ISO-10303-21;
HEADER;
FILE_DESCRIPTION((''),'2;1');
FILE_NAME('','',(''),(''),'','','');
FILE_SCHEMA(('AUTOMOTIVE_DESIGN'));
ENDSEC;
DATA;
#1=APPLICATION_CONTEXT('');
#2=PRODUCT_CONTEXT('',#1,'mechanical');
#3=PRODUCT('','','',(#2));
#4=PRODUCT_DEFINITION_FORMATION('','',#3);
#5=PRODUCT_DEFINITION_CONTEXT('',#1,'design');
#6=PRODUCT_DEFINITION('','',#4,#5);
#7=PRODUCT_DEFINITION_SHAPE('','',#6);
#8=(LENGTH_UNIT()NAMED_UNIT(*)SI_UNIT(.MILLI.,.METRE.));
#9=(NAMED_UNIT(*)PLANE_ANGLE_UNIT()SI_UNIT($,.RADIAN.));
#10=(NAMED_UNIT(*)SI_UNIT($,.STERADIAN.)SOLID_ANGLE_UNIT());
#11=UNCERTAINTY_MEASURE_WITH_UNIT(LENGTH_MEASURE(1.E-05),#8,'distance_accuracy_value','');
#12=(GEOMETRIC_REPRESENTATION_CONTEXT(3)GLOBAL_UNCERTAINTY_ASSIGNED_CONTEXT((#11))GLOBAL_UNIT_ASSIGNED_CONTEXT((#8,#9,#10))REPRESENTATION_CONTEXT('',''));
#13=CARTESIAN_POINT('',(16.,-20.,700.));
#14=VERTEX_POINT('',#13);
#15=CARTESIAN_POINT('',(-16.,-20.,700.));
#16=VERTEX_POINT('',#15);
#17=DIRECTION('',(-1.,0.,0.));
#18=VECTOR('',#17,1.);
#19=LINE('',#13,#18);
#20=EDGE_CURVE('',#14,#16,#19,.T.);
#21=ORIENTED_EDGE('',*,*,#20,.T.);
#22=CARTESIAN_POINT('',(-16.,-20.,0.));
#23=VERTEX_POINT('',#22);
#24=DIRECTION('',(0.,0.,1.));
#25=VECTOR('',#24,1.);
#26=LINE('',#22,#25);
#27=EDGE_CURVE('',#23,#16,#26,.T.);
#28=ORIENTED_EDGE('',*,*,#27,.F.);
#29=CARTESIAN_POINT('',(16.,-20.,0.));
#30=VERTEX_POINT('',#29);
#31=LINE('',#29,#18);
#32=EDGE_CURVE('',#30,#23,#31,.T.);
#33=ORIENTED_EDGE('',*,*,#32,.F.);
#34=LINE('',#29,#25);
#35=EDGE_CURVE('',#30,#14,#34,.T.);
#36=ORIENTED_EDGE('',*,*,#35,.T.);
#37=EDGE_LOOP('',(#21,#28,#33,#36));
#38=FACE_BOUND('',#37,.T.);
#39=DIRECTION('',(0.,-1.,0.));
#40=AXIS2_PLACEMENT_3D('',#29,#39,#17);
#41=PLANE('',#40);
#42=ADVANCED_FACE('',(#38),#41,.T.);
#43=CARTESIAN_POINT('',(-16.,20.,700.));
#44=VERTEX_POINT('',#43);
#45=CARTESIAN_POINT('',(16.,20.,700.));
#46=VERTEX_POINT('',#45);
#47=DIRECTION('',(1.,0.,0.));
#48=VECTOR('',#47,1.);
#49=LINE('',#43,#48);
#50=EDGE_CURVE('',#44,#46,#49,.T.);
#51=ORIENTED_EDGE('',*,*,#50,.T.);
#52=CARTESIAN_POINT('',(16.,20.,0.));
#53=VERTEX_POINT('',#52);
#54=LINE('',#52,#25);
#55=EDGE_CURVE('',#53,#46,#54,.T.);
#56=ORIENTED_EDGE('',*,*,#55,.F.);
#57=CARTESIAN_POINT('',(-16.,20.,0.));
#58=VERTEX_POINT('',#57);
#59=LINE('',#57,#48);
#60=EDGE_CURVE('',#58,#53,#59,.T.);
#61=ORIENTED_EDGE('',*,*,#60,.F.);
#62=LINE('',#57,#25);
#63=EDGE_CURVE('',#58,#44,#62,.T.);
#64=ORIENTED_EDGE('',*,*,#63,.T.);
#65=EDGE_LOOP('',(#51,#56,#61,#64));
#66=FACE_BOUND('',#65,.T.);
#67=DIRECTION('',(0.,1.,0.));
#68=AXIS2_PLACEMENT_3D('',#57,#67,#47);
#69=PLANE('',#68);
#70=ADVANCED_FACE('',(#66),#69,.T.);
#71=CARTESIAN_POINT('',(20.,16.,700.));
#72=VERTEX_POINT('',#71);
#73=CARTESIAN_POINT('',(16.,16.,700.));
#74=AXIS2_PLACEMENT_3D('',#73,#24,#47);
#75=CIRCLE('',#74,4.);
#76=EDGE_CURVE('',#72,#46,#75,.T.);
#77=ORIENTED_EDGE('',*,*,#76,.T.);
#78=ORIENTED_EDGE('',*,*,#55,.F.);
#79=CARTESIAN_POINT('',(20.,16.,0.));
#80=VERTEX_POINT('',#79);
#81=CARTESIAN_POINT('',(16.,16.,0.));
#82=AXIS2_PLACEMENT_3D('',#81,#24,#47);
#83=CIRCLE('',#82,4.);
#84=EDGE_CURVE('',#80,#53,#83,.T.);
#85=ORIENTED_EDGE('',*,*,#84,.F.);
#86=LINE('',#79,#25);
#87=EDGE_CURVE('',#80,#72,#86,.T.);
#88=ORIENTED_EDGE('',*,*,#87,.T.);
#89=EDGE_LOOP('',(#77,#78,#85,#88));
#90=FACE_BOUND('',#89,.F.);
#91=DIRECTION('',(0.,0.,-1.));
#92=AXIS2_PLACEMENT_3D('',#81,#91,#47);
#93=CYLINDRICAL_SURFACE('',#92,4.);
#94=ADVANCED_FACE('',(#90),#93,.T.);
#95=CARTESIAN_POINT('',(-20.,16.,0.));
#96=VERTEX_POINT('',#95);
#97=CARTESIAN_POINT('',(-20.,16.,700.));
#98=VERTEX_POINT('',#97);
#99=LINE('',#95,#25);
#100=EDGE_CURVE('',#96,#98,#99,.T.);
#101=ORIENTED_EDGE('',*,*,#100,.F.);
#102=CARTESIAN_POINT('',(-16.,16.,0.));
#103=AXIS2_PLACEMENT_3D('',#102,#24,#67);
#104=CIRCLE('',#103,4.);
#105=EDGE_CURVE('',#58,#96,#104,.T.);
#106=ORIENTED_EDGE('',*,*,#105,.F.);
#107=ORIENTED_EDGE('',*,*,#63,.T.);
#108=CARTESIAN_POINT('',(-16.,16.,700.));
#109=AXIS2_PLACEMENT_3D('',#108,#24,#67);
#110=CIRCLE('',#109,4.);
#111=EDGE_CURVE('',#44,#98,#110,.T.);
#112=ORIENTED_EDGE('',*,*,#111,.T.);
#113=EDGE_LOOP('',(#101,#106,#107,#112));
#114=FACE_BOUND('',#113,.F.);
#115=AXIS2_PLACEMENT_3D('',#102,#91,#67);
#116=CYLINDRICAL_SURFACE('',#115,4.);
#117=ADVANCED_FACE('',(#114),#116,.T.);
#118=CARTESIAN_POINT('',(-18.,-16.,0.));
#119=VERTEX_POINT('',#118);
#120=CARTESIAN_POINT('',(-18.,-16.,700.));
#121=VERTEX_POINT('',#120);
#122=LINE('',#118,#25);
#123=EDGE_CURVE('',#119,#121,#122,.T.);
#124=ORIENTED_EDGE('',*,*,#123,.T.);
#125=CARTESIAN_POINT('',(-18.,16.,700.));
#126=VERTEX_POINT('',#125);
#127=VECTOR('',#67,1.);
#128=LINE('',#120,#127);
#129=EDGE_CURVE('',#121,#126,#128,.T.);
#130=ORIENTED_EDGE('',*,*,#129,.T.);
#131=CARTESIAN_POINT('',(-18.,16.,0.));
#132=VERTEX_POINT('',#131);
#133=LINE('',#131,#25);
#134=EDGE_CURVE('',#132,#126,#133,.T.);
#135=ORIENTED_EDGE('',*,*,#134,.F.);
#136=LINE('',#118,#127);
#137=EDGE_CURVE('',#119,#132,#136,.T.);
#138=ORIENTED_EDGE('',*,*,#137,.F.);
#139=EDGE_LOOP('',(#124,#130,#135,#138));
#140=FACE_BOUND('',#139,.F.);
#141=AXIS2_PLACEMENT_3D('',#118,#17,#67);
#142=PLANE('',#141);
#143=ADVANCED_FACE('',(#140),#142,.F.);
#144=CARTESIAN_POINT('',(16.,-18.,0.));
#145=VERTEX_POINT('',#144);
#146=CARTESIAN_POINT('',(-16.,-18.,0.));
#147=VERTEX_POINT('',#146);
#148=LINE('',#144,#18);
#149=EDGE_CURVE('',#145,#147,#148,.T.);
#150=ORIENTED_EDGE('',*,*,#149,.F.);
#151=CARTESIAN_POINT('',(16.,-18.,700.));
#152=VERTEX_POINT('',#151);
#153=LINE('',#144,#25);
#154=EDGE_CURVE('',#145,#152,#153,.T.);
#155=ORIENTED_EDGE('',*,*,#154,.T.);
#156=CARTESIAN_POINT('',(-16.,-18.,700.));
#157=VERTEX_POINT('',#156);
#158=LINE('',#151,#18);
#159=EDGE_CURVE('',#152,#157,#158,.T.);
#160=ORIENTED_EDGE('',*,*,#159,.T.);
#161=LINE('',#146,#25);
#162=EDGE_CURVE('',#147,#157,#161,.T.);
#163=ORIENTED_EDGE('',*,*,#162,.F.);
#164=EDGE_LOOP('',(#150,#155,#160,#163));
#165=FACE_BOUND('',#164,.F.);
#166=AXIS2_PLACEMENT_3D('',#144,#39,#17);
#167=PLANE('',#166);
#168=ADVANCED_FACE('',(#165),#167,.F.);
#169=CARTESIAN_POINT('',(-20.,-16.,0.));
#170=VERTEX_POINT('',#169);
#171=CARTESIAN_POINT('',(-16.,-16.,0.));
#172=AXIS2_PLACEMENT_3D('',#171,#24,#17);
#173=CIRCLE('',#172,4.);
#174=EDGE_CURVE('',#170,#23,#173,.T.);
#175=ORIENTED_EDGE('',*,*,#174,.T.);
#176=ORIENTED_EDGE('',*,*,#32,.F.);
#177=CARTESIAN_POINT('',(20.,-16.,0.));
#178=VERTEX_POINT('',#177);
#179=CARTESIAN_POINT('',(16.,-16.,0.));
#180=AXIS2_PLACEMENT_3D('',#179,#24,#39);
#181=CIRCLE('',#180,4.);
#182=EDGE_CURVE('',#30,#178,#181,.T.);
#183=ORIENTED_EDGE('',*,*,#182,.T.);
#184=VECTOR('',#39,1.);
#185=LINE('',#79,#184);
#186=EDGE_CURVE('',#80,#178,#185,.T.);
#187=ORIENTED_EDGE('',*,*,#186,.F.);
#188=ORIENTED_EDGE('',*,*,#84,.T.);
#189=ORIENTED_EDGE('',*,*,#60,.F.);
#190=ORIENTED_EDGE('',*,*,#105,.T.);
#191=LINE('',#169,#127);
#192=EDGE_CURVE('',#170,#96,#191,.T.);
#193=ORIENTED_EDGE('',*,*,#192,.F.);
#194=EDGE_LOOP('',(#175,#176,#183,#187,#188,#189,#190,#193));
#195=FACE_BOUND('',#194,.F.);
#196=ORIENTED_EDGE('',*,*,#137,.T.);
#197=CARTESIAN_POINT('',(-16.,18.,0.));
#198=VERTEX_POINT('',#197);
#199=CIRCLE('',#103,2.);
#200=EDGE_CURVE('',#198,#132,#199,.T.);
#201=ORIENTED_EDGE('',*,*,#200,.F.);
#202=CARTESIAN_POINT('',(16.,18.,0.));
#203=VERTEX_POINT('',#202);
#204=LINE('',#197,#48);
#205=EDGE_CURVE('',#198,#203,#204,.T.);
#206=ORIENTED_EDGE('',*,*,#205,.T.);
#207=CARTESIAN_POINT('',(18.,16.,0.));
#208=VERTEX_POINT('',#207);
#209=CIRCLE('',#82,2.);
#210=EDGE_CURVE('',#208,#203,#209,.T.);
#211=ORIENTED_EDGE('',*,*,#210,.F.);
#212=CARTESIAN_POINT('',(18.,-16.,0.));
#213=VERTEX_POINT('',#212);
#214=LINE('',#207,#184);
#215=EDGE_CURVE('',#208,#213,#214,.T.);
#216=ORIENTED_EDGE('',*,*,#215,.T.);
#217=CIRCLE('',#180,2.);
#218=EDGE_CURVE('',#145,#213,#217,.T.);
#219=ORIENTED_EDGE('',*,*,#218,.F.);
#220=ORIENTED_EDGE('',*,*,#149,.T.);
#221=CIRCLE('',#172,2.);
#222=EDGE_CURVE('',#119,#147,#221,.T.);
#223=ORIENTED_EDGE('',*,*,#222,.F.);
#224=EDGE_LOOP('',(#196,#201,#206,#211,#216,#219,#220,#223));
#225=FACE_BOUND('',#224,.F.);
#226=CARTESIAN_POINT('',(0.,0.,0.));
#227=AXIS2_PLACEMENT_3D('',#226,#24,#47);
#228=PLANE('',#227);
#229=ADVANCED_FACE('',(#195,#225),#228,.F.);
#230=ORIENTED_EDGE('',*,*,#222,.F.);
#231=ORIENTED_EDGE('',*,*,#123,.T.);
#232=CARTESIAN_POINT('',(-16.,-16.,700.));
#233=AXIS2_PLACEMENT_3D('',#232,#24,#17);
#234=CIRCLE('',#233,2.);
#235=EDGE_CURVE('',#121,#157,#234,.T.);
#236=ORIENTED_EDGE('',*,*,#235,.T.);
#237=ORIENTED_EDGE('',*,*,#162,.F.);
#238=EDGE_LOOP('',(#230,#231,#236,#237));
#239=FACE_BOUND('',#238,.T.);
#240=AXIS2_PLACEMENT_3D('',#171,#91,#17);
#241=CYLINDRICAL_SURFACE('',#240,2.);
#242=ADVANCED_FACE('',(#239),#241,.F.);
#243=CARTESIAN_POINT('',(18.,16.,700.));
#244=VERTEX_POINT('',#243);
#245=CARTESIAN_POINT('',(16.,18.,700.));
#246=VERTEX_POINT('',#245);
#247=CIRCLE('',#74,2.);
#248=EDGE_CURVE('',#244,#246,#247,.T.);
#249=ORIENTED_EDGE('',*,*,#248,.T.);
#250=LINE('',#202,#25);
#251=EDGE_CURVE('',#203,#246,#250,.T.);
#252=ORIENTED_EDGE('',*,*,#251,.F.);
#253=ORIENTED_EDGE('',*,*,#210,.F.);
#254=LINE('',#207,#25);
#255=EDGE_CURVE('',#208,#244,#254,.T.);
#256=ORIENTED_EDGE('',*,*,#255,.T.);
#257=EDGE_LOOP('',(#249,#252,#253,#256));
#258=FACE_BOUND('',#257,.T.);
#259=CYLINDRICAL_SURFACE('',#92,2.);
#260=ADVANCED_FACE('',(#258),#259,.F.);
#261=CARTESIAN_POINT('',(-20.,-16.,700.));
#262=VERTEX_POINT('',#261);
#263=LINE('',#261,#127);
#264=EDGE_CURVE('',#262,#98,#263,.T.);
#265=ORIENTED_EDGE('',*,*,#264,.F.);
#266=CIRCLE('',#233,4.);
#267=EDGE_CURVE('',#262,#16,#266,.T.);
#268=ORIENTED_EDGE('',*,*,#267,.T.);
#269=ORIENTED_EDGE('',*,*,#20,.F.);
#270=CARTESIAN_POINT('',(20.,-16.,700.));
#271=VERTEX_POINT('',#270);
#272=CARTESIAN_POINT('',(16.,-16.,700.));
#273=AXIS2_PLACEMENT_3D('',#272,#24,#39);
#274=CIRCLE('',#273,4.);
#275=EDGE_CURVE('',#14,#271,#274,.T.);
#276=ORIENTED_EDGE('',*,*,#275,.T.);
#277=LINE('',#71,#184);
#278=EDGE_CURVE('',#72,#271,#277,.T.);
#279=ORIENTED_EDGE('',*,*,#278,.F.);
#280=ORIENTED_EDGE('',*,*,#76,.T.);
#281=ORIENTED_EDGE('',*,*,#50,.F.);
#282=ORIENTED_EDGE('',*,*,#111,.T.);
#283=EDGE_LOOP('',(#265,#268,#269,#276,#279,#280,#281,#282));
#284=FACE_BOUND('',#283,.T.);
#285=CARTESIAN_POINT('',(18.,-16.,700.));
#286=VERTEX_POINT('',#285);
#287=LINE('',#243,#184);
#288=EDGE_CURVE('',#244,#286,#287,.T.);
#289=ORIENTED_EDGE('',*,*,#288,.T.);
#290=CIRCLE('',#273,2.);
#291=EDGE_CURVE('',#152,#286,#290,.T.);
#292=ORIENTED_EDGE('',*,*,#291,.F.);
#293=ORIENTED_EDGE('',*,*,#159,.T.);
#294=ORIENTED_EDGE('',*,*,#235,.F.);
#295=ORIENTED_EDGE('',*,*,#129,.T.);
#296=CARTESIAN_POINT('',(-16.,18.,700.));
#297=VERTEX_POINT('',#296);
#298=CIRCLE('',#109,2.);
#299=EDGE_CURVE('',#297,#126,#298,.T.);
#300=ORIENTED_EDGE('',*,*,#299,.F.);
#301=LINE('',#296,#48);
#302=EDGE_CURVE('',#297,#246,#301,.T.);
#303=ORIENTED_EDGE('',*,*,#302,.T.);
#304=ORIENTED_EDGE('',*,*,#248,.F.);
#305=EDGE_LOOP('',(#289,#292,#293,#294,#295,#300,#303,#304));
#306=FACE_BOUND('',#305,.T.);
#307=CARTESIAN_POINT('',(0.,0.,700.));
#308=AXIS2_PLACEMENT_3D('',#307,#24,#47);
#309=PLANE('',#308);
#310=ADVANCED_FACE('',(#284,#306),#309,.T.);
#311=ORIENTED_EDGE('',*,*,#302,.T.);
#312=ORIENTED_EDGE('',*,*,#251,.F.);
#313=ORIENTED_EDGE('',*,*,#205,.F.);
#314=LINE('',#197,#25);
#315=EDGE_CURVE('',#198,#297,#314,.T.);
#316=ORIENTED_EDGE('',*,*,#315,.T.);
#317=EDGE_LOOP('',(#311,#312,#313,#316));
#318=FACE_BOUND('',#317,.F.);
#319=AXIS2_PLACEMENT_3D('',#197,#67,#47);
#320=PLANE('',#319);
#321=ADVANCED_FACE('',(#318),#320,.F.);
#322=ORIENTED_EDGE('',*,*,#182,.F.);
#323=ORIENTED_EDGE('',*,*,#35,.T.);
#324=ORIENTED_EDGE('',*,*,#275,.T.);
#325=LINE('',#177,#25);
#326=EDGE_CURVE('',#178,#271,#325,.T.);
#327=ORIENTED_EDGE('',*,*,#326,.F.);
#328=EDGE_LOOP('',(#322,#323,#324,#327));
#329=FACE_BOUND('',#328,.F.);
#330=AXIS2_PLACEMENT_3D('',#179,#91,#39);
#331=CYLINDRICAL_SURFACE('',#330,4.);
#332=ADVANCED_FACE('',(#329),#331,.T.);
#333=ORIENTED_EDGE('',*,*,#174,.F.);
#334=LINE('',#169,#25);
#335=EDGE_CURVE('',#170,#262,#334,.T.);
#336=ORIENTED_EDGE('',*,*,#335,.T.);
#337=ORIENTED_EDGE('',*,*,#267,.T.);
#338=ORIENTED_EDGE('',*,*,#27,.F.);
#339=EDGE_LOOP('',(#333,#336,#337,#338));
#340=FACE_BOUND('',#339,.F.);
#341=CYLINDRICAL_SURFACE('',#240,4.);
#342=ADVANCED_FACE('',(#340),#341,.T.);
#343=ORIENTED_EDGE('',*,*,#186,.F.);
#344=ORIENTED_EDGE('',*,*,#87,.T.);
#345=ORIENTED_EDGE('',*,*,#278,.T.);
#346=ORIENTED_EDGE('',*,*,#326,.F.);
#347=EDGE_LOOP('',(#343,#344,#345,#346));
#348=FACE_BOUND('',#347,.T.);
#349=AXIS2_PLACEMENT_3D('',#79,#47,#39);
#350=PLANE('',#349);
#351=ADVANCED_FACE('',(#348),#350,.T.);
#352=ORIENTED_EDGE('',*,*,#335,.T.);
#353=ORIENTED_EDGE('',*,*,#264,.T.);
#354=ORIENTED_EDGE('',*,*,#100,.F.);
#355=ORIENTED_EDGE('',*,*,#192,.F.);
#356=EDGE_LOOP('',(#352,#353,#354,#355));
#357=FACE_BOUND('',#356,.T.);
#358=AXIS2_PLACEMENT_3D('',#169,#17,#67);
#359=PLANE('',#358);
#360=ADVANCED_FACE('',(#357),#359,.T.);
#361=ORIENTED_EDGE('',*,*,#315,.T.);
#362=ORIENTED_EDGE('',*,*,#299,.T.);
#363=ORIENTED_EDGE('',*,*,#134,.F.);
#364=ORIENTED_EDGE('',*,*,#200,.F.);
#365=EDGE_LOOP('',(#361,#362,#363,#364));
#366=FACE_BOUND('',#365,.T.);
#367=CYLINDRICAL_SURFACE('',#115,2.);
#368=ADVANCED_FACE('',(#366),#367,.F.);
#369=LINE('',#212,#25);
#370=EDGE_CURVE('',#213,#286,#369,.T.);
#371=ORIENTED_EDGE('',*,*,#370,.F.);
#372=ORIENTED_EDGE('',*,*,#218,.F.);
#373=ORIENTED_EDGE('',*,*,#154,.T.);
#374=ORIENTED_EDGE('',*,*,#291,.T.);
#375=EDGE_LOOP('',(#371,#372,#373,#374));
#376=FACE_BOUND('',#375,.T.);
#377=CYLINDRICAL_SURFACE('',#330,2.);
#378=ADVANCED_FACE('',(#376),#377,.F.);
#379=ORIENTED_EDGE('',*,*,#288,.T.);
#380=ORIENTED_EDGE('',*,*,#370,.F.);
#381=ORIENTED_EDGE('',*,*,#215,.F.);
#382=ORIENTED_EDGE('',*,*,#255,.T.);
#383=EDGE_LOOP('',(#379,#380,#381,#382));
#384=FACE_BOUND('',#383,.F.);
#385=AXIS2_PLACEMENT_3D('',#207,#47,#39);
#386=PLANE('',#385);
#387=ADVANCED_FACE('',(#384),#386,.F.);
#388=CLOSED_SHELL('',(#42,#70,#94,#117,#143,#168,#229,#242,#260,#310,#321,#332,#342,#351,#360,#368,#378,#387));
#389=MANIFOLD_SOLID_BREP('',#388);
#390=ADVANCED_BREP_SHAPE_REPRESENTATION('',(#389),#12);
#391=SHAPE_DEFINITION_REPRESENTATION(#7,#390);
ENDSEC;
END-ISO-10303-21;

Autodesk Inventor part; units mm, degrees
ref_plane "YZ Plane" through (0, 0, 0) normal (1, 0, 0) x (0, 1, 0)
ref_plane "Start Plane" through (0, 0, 0) normal (0, 0, 1) x (1, 0, 0)
ref_plane "End Plane" through (0, 0, 700) normal (0, 0, 1) x (1, 0, 0)
sketch "Sketch" plane through (0, 0, 0) normal (0, 0, 1) x (1, 0, 0)
  line L0 (-20, -16) -> (-20, 16)
  line L1 (-16, 20) -> (16, 20)
  line L2 (20, 16) -> (20, -16)
  line L3 (16, -20) -> (-16, -20)
  arc A0 (-20, -16) -> (-16, -20) centre (-16, -16) ccw
  arc A1 (20, 16) -> (16, 20) centre (16, 16) ccw
  arc A2 (-16, 20) -> (-20, 16) centre (-16, 16) ccw
  arc A3 (16, -20) -> (20, -16) centre (16, -16) ccw
  arc A4 (-16, 18) -> (-18, 16) centre (-16, 16) ccw
  line L4 (-16, 18) -> (16, 18)
  arc A5 (18, 16) -> (16, 18) centre (16, 16) ccw
  line L5 (18, 16) -> (18, -16)
  arc A6 (16, -18) -> (18, -16) centre (16, -16) ccw
  line L6 (16, -18) -> (-16, -18)
  arc A7 (-18, -16) -> (-16, -18) centre (-16, -16) ccw
  line L7 (-18, -16) -> (-18, 16)
  line L8 (0, 29.1598) -> (0, -29.1598) construction
  line L9 (-29.1598, 0) -> (29.1598, 0) construction
  dimension "d7" = 4
  dimension "d9" = 40
  dimension "d11" = 40
  dimension "d12" = 2
  dimension "d15" = 20
  dimension "d16" = 20
extrude "Body" add sketch "Sketch" along normal up to surface (700 mm away) from surface at 0
sketch "Sketch3" plane through (0, 0, 0) normal (0, 0, 1) x (1, 0, 0)
  line L0 (0, 0) -> (10, 0)
ref_plane "Work Plane3" through (0, 0, 0) normal (0, -1, 0) x (1, 0, 0)
sketch "Sketch4" plane through (0, 0, 0) normal (0, -1, 0) x (1, 0, 0)
  line L0 (-2, 0) -> (12, 0) projected
  line L1 (-2, 700) -> (12, 700) projected
  dimension "d18" = 700
equation "\"d7\" = G_IR"
equation "\"d9\" = G_W"
equation "\"d11\" = G_H"
equation "\"d12\" = G_T"
equation "\"d15\" = 0.5 * d9"
equation "\"d16\" = 0.5 * d11"
equation "\"d3\" = G_L"
equation "\"G_W\" = 40"
equation "\"G_H\" = 40"
equation "\"G_T\" = 2"
equation "\"G_IR\" = 4"
equation "\"G_L\" = d18"
equation "\"G_OFFSET_START\" = 0"
equation "\"G_OFFSET_END\" = 0"
properties part number "ISO 10799-2 40x40x2 1714918063019" material "Steel, Mild"
